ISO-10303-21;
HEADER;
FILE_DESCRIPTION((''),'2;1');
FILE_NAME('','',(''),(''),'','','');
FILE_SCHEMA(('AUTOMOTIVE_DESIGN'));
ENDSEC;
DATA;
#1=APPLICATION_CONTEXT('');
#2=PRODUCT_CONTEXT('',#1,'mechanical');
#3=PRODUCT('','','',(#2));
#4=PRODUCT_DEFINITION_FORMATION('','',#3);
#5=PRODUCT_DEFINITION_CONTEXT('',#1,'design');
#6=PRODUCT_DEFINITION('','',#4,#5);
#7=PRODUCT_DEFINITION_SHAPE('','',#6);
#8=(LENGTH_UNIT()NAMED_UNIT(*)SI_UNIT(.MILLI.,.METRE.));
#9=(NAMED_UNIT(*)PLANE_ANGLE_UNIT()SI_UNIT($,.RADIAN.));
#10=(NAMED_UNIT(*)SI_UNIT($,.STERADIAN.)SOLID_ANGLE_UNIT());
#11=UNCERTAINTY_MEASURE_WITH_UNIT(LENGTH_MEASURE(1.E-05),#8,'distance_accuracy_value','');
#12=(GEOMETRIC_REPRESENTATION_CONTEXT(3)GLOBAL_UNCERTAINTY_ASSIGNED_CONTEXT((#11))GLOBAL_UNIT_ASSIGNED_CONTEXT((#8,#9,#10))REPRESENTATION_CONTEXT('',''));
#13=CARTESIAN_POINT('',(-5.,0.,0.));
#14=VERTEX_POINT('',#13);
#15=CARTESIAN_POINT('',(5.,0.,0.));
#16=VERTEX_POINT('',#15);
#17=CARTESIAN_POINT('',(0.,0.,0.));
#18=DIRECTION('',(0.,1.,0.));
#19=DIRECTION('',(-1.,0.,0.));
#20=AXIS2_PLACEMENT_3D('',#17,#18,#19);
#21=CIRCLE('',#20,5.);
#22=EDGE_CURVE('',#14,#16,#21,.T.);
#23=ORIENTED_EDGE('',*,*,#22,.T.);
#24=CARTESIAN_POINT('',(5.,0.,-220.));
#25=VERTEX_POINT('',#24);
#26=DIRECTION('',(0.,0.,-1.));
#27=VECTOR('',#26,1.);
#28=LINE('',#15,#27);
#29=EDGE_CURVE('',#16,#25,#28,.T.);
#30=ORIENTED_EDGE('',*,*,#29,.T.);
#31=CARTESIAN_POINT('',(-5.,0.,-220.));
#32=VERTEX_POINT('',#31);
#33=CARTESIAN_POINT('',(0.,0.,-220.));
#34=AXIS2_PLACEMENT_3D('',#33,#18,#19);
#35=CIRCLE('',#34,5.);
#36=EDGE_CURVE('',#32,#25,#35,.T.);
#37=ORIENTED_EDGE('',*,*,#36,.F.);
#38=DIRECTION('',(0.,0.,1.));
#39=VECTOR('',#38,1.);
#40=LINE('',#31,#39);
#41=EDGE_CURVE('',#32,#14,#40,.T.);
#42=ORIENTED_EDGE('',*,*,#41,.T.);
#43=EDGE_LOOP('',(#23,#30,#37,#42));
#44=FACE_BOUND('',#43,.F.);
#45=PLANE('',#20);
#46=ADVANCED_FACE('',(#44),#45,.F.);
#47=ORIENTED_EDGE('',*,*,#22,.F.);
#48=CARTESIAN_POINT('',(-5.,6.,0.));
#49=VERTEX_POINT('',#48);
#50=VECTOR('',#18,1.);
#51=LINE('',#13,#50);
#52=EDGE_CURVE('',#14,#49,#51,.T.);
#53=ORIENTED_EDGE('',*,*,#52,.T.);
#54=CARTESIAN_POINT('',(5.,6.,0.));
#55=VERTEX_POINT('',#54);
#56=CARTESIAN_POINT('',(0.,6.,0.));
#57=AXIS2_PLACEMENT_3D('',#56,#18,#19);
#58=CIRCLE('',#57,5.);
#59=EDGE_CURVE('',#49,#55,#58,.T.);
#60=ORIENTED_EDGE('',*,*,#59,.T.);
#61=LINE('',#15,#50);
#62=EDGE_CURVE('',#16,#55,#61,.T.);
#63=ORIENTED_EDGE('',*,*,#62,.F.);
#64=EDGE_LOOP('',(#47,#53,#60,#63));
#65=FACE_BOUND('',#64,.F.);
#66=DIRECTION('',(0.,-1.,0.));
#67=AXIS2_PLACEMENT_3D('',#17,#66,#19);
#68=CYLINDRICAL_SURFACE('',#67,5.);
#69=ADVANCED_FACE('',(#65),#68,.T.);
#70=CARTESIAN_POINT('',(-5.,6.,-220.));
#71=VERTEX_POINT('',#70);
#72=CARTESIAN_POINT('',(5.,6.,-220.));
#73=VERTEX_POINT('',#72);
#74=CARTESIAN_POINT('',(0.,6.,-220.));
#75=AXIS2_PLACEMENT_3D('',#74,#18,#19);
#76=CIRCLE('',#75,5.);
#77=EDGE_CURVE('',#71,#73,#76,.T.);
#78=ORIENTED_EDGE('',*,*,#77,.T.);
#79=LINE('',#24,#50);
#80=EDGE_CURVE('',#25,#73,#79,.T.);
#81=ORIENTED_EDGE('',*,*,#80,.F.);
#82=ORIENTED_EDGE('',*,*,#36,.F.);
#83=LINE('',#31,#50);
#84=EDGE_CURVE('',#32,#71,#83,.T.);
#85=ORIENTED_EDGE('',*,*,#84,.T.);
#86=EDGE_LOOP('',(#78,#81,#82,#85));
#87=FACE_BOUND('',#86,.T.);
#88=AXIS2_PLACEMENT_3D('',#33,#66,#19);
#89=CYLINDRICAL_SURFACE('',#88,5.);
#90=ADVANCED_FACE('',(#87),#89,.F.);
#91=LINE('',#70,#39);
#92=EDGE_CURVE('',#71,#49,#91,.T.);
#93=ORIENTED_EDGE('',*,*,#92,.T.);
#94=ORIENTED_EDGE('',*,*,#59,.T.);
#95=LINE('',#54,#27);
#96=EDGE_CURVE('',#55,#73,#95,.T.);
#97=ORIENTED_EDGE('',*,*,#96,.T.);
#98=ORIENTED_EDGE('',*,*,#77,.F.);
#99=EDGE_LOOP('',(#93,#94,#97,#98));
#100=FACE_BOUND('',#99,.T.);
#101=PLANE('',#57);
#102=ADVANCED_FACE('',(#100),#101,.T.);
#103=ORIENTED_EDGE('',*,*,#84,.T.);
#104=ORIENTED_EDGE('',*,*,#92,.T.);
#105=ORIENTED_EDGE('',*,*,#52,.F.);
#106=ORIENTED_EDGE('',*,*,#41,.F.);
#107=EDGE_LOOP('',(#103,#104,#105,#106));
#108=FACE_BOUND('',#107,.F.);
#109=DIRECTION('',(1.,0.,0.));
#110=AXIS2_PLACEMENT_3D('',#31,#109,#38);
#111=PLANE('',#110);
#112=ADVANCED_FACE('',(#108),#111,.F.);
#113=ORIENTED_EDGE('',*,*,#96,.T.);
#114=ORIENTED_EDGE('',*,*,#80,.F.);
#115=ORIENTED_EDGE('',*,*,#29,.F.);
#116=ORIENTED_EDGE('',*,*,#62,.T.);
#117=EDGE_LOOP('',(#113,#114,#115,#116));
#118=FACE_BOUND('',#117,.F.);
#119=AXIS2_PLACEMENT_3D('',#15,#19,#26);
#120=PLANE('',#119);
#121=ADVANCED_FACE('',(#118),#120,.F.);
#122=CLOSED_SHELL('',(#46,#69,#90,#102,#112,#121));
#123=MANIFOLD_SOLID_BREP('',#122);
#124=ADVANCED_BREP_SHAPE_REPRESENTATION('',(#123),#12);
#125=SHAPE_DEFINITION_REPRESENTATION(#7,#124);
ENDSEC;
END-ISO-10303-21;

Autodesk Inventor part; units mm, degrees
ref_plane "YZ Plane" through (0, 0, 0) normal (1, 0, 0) x (0, 1, 0)
ref_plane "XZ Plane" through (0, 0, 0) normal (0, 1, 0) x (-1, 0, 0)
ref_plane "XY Plane" through (0, 0, 0) normal (0, 0, 1) x (1, 0, 0)
sketch "Sketch1" plane through (0, 0, 0) normal (0, 1, 0) x (-1, 0, 0)
  line L0 (0, 0) -> (0, -220) construction
  line L1 (-5, 0) -> (-5, -220)
  line L2 (5, -220) -> (5, 0)
  arc A0 (5, 0) -> (-5, 0) centre (0, 0) ccw
  arc A1 (-5, -220) -> (5, -220) centre (0, -220) ccw
  circle A2 centre (0, -220) radius 5
  point P0 (0, -110)
  point P1 (-5, -220)
  point P2 (5, -220)
  dimension "d0" = 220
  dimension "d1" = 10
extrude "Extrusion1" add sketch "Sketch1" along normal blind 6 contours A0 L2 A2 L1
properties part number "Part_8_extension"
